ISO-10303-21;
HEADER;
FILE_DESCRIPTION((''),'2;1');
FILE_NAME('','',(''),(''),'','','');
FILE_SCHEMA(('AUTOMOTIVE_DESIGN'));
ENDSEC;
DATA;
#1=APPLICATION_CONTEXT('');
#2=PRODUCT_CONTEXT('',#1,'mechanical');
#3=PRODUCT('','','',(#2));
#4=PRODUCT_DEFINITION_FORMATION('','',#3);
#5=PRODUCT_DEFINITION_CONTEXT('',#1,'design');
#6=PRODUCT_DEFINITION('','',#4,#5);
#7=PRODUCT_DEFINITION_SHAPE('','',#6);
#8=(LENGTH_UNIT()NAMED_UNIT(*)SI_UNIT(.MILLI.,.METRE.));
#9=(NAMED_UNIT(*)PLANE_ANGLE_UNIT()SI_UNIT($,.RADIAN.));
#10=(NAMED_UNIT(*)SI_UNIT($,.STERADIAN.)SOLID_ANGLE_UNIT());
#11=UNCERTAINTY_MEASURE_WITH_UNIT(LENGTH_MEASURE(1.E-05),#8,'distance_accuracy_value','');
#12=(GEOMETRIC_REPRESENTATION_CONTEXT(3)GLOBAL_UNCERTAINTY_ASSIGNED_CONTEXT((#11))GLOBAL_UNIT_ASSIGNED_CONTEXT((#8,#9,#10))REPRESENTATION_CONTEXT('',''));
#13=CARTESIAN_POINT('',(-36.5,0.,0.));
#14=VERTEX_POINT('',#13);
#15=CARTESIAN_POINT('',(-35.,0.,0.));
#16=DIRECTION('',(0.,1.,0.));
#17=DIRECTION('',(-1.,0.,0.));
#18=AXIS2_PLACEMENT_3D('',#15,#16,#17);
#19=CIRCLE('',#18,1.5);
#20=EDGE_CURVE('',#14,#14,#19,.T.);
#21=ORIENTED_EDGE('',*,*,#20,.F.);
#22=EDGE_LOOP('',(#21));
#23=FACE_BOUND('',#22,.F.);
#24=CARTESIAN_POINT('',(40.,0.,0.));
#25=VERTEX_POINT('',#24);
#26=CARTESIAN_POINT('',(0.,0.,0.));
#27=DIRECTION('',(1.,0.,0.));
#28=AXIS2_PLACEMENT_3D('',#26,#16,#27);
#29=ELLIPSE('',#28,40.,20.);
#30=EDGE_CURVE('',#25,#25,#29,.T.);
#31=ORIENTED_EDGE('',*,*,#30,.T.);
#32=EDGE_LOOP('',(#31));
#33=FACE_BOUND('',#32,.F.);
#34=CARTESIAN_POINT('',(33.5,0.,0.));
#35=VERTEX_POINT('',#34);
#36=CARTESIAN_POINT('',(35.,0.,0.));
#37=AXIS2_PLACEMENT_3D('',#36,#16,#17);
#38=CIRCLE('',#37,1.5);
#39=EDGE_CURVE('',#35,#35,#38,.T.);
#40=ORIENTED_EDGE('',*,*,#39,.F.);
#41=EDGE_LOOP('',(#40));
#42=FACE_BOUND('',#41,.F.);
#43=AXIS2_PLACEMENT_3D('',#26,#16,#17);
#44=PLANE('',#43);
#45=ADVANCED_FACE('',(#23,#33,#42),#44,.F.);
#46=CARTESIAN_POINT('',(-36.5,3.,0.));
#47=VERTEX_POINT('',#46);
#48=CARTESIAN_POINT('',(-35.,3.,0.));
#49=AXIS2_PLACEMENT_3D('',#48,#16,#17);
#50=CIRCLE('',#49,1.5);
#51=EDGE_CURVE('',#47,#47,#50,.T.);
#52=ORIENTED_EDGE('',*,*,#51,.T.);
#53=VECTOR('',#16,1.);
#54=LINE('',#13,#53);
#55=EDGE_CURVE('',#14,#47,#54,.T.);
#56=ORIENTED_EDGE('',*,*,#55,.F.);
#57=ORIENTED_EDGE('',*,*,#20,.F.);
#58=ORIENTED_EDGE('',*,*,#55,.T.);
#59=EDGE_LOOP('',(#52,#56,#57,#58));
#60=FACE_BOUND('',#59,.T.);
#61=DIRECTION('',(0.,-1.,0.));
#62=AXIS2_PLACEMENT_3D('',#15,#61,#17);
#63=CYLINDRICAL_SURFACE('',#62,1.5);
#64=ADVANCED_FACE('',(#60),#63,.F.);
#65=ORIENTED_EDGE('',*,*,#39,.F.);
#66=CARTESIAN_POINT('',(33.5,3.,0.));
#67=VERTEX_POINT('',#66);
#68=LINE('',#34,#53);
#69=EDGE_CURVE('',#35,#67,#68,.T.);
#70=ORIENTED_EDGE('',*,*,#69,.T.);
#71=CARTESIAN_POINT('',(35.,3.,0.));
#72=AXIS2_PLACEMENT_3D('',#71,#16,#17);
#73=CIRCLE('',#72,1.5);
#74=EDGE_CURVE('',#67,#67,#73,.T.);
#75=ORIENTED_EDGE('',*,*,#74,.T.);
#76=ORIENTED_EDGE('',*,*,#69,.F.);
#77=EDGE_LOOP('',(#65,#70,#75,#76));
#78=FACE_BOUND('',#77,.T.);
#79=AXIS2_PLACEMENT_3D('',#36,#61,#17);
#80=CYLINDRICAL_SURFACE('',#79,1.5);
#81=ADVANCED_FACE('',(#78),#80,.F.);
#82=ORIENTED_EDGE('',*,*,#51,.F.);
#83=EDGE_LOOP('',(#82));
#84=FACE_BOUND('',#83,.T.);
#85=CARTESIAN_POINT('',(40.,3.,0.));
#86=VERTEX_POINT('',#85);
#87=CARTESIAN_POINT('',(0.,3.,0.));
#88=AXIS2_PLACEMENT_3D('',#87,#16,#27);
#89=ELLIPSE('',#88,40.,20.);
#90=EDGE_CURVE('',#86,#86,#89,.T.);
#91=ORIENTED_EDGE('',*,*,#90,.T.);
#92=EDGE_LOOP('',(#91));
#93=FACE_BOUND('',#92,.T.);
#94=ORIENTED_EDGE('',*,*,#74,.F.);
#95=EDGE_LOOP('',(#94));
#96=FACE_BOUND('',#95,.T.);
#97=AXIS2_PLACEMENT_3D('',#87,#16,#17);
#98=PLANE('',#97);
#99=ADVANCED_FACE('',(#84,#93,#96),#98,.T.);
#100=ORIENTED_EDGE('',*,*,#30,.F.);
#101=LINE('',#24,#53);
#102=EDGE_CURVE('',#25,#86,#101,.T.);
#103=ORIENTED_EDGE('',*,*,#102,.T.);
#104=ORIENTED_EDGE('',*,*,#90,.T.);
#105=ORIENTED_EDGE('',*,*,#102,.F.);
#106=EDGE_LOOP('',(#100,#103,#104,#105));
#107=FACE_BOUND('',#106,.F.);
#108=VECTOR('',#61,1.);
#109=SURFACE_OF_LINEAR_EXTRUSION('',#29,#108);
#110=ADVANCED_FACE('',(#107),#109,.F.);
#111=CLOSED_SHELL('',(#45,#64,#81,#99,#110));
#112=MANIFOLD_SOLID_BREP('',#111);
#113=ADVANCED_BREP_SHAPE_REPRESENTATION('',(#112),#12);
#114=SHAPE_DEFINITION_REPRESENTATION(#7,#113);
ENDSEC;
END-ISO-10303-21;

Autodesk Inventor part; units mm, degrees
ref_plane "YZ Plane" through (0, 0, 0) normal (1, 0, 0) x (0, 1, 0)
ref_plane "XZ Plane" through (0, 0, 0) normal (0, 1, 0) x (-1, 0, 0)
ref_plane "XY Plane" through (0, 0, 0) normal (0, 0, 1) x (1, 0, 0)
sketch "Sketch1" plane through (0, 0, 0) normal (0, 1, 0) x (-1, 0, 0)
  ellipse E0 centre (0, 0) end of major axis (-40, 0) minor radius 20
  circle A0 centre (35, 0) radius 1.5
  circle A1 centre (-35, 0) radius 1.5
extrude "Extrusion1" add sketch "Sketch1" along normal blind 3
properties part number "Forearm_4" material "ABS Plastic"
